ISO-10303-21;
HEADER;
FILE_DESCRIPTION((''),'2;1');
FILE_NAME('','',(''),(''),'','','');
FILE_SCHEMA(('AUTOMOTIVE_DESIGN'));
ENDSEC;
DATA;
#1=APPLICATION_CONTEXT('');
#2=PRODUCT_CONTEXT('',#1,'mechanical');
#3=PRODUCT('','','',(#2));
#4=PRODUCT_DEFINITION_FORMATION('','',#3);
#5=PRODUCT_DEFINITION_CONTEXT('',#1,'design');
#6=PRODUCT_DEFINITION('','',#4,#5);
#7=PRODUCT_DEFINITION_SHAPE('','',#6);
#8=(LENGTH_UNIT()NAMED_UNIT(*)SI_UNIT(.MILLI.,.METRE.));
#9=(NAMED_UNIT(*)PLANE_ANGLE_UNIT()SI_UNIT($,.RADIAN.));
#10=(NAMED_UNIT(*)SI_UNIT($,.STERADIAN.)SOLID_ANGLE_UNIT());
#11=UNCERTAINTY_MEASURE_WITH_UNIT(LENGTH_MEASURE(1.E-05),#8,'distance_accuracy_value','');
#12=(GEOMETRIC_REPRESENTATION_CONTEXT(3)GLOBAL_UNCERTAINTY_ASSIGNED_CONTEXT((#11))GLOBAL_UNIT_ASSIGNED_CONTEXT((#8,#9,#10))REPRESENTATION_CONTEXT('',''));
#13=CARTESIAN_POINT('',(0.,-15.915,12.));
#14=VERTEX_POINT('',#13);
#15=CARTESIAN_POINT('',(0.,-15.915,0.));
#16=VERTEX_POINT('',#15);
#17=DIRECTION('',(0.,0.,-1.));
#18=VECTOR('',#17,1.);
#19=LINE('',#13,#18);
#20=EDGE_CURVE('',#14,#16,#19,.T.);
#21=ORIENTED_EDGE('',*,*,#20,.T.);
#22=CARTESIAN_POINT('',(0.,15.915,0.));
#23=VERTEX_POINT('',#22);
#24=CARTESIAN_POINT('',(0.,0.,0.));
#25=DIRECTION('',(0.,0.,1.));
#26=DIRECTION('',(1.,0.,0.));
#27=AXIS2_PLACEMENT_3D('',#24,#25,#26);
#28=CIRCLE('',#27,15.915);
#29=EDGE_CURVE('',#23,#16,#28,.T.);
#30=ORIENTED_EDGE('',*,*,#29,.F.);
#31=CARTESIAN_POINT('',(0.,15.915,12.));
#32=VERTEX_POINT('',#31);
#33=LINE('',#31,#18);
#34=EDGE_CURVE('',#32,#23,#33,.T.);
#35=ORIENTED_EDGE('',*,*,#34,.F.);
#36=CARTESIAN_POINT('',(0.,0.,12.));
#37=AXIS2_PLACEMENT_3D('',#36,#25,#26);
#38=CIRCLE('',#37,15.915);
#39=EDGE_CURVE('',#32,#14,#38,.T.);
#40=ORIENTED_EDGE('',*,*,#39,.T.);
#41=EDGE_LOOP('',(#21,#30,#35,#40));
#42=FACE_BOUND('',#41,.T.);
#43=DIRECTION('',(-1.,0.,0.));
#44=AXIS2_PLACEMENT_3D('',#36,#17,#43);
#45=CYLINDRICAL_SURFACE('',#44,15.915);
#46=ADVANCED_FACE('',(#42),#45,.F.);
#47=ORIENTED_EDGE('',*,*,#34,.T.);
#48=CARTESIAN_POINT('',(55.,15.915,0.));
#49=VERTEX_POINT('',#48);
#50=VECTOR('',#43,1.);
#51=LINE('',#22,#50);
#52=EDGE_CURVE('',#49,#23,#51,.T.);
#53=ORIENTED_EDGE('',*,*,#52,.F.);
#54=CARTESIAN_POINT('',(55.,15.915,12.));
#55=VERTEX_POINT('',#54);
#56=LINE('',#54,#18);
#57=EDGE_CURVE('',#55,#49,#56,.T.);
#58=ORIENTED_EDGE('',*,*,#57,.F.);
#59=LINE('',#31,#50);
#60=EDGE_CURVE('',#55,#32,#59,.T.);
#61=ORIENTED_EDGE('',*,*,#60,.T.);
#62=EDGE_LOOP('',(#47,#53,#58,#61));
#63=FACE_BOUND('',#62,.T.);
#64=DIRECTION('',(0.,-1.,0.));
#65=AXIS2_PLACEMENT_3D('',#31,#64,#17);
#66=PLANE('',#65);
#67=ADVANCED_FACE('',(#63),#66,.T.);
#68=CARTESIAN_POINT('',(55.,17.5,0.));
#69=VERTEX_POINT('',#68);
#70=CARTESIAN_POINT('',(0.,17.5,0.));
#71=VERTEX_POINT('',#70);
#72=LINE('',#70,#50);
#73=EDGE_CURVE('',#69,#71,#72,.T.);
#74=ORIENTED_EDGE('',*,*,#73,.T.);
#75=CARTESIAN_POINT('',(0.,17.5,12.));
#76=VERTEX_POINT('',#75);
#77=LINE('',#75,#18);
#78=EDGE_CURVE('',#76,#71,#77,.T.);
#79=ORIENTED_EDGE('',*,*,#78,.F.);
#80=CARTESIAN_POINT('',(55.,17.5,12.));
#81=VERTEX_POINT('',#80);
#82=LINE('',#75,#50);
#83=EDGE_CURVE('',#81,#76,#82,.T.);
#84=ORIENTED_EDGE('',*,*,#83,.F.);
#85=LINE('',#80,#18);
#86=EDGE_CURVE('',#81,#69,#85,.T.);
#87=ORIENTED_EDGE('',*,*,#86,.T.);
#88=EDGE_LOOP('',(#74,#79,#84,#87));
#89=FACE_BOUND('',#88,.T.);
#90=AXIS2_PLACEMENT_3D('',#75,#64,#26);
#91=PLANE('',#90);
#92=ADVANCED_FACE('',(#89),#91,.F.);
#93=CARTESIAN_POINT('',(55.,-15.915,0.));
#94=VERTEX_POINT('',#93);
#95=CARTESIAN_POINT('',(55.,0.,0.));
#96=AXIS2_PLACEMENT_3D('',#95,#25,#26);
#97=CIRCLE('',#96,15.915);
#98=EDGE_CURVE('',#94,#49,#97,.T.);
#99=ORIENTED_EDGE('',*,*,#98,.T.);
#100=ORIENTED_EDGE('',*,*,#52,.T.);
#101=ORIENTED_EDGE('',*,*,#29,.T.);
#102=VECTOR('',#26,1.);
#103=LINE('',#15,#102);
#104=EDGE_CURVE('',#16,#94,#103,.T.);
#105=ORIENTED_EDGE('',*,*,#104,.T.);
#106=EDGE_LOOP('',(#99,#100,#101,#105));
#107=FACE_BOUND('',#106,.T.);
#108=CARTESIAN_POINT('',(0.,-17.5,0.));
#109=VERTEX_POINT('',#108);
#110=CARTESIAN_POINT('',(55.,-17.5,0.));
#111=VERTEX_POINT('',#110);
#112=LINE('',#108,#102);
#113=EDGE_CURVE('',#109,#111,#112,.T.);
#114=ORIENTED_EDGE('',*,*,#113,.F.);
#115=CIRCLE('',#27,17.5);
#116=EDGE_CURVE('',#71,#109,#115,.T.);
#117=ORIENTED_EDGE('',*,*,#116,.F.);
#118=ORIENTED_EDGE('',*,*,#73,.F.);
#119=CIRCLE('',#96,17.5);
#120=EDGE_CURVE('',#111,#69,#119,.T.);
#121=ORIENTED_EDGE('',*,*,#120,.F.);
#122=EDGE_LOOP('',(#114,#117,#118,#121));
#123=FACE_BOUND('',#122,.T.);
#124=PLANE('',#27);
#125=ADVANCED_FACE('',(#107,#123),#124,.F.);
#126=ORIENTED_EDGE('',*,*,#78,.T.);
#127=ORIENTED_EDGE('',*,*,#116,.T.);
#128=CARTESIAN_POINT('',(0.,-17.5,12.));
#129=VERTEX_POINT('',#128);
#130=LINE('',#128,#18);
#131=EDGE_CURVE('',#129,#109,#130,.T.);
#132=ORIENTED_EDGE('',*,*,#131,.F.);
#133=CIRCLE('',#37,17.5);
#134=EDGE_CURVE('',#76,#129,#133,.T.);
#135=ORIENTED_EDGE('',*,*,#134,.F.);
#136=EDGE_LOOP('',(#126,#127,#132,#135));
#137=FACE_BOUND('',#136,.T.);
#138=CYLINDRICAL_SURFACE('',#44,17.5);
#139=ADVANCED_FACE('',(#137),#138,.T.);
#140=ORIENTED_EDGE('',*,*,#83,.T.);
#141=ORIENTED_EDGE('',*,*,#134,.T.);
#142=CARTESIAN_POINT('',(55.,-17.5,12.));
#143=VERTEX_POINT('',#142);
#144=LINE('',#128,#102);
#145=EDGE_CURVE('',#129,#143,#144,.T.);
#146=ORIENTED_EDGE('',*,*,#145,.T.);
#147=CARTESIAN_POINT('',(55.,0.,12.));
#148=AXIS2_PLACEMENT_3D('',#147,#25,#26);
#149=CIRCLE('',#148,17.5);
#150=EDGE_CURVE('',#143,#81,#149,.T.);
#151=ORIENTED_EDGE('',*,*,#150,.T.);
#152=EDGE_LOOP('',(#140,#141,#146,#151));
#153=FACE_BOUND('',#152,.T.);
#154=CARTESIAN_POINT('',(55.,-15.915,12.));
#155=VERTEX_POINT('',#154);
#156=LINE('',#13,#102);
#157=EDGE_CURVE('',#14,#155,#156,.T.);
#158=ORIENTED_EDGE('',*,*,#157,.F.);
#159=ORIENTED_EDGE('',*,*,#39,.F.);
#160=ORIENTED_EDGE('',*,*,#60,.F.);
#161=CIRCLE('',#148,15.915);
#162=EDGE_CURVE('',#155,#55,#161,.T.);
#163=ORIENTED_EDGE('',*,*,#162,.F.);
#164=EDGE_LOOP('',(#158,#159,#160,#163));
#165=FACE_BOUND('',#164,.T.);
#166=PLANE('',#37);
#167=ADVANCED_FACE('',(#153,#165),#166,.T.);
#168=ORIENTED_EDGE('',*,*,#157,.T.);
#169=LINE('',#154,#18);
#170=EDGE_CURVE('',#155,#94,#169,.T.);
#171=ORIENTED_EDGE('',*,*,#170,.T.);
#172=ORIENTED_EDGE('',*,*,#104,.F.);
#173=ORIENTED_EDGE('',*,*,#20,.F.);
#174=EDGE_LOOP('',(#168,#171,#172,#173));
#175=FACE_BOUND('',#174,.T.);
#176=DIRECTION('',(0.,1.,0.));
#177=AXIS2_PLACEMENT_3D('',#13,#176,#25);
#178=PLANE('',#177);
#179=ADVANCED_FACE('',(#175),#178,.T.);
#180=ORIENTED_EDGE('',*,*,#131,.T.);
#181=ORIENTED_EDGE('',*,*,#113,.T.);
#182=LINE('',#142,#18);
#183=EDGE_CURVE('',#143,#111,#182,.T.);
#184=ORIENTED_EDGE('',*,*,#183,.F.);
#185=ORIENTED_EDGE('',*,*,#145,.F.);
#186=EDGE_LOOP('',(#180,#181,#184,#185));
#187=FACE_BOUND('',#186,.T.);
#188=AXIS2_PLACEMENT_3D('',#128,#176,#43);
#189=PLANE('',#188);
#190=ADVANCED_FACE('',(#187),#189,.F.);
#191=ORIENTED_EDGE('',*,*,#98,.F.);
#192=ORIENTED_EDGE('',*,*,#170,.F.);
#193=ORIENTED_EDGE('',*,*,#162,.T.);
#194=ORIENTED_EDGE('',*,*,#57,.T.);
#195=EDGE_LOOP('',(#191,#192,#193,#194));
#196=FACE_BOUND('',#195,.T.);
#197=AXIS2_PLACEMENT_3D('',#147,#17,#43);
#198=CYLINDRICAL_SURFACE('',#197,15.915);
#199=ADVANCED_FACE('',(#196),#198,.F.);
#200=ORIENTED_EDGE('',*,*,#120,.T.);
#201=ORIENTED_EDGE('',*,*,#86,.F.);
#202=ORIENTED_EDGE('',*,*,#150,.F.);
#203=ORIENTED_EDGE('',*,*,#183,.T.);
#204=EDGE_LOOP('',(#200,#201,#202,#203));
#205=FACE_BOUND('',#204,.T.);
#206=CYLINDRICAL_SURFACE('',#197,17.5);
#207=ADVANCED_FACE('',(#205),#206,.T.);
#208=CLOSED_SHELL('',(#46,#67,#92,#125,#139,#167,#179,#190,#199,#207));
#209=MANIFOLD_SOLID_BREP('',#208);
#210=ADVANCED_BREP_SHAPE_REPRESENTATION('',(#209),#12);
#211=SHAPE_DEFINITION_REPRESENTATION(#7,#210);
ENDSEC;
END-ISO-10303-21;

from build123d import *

# Parameters (mm, degrees)
EXTRUSION1_DEPTH = 12


with BuildPart() as part:
    # Esquisse1 → Extrusion1 (new body)
    with BuildSketch(Plane.XY):
        with BuildLine():
            Line((0, 17.5), (55, 17.5))
            ThreePointArc((55, 17.5), (72.5, 0), (55, -17.5))
            Line((55, -17.5), (0, -17.5))
            ThreePointArc((0, -17.5), (-17.5, 0), (0, 17.5))
        make_face()
        with BuildLine():
            Line((0, 15.915), (55, 15.915))
            ThreePointArc((55, 15.915), (70.915, 0), (55, -15.915))
            Line((55, -15.915), (0, -15.915))
            ThreePointArc((0, -15.915), (-15.915, 0), (0, 15.915))
        make_face(mode=Mode.SUBTRACT)
    extrude(amount=EXTRUSION1_DEPTH)


solid = part.part
